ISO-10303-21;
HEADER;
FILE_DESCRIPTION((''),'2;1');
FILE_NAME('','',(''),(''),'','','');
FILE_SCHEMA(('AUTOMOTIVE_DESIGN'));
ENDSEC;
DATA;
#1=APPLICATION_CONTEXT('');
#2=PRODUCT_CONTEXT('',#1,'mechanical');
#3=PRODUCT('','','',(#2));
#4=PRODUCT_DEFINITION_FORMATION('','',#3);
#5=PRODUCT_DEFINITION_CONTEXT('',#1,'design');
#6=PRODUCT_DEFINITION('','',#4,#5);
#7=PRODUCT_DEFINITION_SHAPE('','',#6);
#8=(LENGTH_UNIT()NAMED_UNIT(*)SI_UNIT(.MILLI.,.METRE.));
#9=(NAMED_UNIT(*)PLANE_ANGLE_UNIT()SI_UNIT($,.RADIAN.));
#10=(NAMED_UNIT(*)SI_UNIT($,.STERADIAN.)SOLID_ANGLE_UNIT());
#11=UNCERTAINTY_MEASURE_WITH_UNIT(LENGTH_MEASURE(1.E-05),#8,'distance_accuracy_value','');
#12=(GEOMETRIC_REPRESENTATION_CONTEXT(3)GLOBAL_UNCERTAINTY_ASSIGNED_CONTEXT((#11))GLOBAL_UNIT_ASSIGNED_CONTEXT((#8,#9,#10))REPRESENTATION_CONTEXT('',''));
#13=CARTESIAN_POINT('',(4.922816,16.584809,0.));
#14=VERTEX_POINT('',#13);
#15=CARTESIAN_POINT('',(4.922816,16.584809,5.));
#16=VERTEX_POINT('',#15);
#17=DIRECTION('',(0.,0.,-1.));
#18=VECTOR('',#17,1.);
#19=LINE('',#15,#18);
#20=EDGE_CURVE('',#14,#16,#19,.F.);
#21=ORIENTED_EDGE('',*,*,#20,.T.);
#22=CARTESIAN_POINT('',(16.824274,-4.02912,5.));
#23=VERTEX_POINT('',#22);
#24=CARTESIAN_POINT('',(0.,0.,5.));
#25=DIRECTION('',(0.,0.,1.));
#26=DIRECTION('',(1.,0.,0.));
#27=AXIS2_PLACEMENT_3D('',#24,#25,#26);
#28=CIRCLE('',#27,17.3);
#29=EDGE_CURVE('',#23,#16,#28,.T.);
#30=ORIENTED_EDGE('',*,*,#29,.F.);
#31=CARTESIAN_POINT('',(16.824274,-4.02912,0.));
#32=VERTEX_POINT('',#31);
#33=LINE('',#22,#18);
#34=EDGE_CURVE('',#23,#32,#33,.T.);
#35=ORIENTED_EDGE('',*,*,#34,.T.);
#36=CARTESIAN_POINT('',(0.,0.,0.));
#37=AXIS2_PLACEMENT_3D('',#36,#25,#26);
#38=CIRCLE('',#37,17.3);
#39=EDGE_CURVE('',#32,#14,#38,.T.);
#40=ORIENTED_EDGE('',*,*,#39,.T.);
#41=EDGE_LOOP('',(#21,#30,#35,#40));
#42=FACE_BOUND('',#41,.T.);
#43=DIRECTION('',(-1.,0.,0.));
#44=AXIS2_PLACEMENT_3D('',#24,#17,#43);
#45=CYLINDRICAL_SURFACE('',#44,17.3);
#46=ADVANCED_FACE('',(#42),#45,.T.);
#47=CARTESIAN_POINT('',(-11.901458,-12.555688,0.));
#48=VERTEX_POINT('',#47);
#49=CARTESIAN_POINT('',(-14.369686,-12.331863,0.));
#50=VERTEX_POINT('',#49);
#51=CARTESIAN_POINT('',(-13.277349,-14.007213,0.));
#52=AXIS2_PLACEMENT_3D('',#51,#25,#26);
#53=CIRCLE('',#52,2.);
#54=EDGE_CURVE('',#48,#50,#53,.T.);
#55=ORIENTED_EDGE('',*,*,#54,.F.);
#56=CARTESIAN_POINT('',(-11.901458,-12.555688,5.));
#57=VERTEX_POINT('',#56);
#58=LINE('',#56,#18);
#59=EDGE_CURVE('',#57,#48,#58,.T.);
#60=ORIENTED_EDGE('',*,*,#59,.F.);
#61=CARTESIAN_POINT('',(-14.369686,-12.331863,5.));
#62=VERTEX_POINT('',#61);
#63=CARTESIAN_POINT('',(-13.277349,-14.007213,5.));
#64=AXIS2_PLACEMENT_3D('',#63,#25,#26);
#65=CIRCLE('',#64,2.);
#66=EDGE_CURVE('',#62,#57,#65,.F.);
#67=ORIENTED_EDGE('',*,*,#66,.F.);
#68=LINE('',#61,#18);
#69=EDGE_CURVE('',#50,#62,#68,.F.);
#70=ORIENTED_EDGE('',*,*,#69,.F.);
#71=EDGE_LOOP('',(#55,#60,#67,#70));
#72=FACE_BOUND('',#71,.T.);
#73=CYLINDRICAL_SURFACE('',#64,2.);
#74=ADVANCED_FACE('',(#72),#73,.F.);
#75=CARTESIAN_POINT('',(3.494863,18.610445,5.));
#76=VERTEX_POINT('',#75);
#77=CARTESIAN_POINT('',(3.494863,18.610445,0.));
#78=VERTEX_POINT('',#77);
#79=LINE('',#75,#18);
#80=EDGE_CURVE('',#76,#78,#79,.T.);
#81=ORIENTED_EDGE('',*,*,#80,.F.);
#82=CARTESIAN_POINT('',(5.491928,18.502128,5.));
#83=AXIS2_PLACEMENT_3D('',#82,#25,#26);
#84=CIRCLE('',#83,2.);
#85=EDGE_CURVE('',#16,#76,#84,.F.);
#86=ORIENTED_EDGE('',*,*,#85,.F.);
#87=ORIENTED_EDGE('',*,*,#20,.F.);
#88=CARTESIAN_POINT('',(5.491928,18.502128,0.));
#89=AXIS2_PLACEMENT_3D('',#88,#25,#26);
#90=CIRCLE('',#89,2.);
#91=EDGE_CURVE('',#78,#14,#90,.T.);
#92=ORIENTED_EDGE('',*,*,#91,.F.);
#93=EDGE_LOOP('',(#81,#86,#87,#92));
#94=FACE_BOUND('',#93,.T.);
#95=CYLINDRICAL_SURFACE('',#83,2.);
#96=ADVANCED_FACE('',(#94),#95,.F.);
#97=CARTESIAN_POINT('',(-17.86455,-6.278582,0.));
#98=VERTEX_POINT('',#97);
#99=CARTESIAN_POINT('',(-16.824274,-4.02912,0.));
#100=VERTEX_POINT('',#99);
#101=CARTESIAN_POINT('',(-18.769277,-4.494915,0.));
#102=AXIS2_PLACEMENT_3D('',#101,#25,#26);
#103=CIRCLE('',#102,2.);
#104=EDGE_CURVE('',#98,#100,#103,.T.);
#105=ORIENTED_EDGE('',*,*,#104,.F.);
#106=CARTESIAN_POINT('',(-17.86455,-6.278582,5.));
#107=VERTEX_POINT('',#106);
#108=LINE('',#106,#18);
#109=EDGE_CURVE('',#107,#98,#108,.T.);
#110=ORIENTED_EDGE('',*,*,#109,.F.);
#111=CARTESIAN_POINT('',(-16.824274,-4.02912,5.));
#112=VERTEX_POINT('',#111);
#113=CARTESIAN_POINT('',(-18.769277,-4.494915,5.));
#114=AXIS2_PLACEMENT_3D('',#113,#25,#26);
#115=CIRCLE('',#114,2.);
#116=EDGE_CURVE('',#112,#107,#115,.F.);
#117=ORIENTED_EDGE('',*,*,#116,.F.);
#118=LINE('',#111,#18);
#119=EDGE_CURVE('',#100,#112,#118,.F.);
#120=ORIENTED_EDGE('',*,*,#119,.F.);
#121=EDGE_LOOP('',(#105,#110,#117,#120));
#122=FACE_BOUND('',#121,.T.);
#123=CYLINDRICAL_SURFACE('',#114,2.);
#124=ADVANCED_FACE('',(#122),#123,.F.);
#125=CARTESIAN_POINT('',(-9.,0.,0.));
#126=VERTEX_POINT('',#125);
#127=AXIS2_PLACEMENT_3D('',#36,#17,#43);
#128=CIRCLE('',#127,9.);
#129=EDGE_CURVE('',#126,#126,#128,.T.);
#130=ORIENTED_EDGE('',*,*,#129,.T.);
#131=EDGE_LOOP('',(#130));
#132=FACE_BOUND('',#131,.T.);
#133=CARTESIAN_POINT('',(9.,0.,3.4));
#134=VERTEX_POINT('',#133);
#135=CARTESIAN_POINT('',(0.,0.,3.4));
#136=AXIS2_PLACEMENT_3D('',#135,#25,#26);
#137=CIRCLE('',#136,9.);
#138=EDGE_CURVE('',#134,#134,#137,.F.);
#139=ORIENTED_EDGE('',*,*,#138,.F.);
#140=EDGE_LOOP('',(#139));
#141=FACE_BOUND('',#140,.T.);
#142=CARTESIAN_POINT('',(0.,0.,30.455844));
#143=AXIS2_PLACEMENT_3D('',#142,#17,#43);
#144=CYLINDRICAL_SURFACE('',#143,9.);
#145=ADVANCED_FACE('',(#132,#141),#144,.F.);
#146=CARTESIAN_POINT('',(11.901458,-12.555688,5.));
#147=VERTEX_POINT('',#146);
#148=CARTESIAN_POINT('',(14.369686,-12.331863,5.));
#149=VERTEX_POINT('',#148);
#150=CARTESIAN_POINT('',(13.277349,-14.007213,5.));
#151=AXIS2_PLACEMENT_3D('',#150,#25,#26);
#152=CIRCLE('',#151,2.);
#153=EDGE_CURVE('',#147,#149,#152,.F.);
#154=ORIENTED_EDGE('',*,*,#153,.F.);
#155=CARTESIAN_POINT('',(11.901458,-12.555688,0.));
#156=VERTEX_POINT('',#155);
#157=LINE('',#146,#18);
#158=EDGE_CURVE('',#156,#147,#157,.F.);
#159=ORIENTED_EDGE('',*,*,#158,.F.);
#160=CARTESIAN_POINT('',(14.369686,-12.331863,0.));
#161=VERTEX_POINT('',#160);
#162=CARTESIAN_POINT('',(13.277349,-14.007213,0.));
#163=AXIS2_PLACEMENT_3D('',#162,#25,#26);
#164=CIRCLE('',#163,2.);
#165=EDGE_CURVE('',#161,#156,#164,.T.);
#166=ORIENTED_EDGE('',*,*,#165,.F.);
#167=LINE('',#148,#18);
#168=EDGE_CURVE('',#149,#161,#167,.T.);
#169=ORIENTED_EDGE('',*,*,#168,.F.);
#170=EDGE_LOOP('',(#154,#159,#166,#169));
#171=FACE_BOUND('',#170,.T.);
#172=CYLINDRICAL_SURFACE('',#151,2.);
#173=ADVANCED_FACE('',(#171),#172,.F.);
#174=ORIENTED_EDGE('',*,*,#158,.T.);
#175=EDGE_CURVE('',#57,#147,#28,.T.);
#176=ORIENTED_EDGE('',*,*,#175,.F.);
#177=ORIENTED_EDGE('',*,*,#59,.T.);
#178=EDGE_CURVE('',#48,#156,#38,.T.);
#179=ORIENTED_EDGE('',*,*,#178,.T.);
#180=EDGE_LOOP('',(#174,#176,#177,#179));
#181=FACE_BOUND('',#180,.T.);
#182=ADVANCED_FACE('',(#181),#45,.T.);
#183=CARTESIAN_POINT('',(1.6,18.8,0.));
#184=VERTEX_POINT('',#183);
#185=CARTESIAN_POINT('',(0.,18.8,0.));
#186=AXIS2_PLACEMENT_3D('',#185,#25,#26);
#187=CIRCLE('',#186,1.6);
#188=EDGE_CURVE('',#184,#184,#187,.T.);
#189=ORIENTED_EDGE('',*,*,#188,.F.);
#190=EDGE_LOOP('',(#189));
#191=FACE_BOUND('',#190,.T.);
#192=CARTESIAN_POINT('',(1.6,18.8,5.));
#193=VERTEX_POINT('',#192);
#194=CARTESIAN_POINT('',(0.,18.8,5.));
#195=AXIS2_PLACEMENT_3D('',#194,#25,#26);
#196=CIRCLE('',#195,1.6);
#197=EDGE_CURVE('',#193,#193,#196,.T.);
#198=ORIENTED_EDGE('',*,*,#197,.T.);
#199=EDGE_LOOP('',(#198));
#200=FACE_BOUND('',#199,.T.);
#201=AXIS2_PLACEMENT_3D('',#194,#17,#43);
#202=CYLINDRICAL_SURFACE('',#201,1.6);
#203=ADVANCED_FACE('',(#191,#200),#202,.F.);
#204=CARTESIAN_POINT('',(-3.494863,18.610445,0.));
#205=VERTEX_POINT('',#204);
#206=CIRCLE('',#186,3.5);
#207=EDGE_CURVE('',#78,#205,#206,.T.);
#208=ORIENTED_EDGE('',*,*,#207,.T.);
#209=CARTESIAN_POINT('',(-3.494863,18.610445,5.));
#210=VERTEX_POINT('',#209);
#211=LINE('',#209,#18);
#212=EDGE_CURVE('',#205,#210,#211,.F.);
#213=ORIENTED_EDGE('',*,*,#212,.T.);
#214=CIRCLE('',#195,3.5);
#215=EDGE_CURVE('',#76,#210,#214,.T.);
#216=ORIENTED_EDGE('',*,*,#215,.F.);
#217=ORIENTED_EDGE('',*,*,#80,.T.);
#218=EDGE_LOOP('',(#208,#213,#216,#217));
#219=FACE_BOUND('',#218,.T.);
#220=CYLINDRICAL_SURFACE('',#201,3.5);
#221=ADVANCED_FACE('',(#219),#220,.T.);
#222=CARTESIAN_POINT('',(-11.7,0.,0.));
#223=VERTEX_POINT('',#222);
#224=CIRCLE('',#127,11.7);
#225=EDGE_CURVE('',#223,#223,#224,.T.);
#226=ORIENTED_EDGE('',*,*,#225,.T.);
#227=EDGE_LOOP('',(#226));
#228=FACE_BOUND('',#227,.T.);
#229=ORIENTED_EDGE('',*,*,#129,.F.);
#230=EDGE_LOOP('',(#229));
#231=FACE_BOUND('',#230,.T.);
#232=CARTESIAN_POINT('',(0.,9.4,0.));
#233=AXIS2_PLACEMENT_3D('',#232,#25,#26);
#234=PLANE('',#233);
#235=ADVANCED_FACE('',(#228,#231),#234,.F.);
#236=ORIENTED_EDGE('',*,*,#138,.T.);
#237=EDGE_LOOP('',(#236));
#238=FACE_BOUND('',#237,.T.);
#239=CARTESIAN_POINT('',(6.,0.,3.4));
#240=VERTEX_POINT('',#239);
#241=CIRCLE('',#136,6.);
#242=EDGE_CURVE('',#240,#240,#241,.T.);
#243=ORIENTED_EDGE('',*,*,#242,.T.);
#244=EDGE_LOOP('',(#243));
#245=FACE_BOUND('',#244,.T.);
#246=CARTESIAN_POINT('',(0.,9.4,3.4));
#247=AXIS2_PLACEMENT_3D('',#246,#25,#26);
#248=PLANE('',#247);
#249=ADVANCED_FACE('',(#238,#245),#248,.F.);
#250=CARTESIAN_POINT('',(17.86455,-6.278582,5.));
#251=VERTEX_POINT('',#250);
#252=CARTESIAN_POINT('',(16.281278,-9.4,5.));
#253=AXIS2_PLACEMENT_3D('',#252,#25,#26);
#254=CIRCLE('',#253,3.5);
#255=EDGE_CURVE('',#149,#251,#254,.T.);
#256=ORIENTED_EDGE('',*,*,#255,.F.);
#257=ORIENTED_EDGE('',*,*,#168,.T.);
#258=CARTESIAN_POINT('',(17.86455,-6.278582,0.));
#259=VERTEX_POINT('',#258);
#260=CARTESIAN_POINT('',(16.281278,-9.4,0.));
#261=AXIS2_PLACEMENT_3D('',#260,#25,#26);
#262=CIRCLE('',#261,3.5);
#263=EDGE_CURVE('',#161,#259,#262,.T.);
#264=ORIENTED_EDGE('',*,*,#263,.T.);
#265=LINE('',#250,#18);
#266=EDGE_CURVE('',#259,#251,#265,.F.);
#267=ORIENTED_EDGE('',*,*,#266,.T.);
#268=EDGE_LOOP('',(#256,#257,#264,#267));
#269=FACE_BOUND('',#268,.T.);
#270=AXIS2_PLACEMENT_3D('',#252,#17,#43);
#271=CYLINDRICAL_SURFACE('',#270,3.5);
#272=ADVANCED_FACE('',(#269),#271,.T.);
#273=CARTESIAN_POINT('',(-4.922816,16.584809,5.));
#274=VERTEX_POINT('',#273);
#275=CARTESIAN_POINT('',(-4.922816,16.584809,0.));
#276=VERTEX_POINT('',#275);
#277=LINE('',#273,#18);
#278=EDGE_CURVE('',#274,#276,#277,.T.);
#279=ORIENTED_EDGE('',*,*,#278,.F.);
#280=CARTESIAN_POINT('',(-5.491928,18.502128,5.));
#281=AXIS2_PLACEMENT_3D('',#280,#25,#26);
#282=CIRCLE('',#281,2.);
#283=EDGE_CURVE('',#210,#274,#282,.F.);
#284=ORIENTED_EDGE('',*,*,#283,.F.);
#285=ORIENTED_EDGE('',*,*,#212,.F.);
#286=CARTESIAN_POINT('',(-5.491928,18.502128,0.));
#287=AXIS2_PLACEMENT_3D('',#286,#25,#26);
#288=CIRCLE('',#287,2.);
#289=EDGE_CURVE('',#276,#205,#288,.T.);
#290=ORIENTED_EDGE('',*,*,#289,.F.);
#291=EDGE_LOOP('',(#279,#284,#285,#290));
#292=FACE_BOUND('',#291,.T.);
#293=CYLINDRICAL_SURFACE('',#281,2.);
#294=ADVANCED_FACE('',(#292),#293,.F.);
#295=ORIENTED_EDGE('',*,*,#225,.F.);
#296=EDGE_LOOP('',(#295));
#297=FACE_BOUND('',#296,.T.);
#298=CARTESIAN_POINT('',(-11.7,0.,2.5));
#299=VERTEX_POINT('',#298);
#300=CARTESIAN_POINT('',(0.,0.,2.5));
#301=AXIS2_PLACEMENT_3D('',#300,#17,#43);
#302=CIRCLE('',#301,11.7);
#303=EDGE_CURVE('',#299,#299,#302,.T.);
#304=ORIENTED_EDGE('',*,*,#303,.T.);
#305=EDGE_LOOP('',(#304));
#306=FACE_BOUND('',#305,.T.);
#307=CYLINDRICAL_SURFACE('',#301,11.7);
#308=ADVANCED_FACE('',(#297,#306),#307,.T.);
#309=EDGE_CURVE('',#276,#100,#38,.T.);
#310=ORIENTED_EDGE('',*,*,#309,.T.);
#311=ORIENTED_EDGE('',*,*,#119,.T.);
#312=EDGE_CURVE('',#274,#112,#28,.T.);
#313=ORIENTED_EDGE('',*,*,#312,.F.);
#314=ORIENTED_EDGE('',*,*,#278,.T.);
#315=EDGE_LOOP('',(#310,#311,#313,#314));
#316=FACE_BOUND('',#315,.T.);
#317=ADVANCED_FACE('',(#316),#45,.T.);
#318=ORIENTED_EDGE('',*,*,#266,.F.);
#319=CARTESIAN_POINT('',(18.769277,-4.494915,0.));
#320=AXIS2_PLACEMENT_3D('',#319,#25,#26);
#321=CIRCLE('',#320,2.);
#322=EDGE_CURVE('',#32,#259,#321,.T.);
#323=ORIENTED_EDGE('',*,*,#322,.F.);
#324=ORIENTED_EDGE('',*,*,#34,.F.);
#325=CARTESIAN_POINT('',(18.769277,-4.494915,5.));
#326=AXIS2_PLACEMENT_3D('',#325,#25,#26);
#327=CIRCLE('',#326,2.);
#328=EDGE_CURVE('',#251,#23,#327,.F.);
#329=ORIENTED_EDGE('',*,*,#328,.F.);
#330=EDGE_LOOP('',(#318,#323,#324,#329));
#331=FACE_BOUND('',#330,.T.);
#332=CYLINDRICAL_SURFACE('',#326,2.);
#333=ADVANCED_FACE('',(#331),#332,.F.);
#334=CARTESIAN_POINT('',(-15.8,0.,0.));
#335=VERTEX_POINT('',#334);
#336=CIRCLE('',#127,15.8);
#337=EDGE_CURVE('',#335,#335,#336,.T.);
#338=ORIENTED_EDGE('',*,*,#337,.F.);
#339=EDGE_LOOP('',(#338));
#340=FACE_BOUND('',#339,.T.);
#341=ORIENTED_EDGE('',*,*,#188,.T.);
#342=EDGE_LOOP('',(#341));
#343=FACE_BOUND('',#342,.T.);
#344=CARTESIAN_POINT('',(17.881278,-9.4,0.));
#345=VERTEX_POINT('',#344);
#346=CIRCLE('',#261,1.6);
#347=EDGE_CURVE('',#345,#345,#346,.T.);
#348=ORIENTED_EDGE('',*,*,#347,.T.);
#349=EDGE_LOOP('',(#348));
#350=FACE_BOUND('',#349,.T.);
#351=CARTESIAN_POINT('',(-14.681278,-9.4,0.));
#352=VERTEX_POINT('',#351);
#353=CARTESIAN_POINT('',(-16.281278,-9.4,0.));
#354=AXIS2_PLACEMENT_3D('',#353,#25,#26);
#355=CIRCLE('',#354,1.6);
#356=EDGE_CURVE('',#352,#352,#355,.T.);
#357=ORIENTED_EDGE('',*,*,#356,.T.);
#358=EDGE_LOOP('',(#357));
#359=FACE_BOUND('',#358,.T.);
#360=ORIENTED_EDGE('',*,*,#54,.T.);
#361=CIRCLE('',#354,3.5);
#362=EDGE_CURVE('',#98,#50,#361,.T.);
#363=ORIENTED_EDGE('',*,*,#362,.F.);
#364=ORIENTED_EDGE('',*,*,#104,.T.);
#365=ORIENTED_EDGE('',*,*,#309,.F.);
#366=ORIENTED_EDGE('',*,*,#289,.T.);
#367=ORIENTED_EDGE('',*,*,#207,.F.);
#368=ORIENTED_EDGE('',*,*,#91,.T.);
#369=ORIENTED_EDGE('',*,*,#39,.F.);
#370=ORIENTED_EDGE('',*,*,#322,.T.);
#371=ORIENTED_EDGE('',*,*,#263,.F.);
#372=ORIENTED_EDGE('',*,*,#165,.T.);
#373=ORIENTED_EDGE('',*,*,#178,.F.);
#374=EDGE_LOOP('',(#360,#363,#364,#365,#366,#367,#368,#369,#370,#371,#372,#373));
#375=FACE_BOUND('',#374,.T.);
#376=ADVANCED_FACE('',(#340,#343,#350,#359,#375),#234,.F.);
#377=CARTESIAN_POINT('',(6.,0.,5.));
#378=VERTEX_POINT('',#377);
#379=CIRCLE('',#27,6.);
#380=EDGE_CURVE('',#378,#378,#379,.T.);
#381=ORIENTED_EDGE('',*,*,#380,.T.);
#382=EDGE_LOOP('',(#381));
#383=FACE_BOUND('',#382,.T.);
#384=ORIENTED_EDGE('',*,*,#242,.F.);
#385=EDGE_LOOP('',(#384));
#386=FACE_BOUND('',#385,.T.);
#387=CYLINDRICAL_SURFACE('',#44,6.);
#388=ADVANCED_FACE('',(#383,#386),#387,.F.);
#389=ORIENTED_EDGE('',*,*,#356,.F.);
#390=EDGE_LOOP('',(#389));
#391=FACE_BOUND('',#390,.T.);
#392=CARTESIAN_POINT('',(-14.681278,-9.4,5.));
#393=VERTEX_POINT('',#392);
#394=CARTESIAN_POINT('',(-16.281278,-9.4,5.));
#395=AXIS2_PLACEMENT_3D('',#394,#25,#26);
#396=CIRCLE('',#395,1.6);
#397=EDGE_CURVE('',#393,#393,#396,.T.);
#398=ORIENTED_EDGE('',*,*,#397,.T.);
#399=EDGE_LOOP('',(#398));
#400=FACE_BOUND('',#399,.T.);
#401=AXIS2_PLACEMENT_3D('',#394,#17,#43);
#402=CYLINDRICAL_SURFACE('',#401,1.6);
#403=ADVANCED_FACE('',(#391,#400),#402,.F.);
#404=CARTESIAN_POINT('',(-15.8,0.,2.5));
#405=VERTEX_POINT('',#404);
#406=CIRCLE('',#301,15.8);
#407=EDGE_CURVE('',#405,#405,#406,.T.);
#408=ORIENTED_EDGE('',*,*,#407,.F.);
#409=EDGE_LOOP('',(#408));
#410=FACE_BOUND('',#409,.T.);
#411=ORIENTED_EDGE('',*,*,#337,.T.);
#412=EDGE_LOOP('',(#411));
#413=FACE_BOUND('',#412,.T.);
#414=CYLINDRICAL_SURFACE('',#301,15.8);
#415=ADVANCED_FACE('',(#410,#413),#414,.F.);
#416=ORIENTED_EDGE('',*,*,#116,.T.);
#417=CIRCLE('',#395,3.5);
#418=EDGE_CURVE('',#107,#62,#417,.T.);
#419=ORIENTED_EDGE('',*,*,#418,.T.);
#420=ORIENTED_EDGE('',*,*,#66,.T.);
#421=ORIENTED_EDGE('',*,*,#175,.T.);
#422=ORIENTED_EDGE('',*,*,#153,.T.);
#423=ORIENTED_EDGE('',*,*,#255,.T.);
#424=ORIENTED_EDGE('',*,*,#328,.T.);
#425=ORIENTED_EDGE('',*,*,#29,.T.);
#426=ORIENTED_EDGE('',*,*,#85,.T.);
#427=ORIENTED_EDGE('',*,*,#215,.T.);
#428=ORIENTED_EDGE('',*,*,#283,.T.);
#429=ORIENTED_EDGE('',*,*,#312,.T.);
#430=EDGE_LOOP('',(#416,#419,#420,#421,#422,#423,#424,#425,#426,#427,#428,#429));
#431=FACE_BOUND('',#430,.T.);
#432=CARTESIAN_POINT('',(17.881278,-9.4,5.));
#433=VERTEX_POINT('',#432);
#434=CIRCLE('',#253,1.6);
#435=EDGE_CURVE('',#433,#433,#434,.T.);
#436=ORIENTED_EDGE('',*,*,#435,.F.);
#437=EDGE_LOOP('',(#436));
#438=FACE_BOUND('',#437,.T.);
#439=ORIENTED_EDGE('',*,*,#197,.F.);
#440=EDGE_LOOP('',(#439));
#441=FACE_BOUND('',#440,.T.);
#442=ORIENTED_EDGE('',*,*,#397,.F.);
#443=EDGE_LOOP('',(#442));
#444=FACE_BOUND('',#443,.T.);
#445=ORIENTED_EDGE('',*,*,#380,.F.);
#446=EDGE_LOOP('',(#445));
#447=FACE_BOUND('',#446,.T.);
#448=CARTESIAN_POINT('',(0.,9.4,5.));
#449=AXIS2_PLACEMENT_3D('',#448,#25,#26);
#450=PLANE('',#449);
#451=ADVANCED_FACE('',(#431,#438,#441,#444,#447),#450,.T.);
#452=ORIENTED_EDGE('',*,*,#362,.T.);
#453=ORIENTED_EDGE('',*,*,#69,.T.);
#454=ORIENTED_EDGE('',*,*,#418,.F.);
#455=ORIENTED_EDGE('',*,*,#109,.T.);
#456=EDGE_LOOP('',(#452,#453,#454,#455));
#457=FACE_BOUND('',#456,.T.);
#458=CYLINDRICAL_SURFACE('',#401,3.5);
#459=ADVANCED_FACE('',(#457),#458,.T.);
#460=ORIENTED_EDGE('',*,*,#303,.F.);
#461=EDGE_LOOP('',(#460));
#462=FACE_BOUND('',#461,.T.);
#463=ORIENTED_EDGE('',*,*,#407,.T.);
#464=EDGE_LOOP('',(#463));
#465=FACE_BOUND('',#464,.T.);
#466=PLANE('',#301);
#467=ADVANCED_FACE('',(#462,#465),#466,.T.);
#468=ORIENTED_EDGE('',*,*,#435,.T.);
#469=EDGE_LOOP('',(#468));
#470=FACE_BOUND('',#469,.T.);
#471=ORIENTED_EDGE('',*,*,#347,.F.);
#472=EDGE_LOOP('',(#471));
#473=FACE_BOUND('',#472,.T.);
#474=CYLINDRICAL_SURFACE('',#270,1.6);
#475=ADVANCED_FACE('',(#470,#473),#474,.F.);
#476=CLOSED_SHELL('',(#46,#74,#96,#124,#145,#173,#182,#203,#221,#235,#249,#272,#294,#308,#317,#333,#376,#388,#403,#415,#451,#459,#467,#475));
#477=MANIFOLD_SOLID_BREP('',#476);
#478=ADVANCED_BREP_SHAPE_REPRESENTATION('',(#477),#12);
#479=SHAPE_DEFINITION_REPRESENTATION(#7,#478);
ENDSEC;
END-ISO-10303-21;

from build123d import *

# Parameters (mm, degrees)
SKETCH_1_R          = 6
SKETCH_1_R_2        = 1.6
EXTRUDE_1_DEPTH     = 5
FILLET_1_R          = 2
SKETCH_3_R          = 15.8
SKETCH_3_R_2        = 11.7
CUT_EXTRUDE_1_DEPTH = 2.5
SKETCH_4_R          = 9
CUT_EXTRUDE_2_DEPTH = 3.4


with BuildPart() as part:
    # ｽｹｯﾁ1 → ﾎﾞｽ - 押し出し1 (new body)
    with BuildSketch(Plane.XY):
        with BuildLine():
            ThreePointArc((-3.021819699, 17.034042553), (-14.982239485, 8.65), (-16.26282343, -5.900048651))
            ThreePointArc((-16.26282343, -5.900048651), (-19.312366504, -11.15), (-13.24100373, -11.133993902))
            ThreePointArc((-13.24100373, -11.133993902), (0, -17.3), (13.24100373, -11.133993902))
            ThreePointArc((13.24100373, -11.133993902), (19.312366504, -11.15), (16.26282343, -5.900048651))
            ThreePointArc((16.26282343, -5.900048651), (14.982239485, 8.65), (3.021819699, 17.034042553))
            ThreePointArc((3.021819699, 17.034042553), (0, 22.3), (-3.021819699, 17.034042553))
        make_face()
        Circle(SKETCH_1_R, mode=Mode.SUBTRACT)
        with Locations((0, 18.8)):
            Circle(SKETCH_1_R_2, mode=Mode.SUBTRACT)
        with Locations((16.281277591, -9.4)):
            Circle(SKETCH_1_R_2, mode=Mode.SUBTRACT)
        with Locations((-16.281277591, -9.4)):
            Circle(SKETCH_1_R_2, mode=Mode.SUBTRACT)
    extrude(amount=EXTRUDE_1_DEPTH)

    # ﾌｨﾚｯﾄ1
    fillet_1_edges = [part.edges().sort_by_distance(p)[0] for p in [
        (16.26282343, -5.900048651, 2.5),
        (13.24100373, -11.133993902, 2.5),
        (-13.24100373, -11.133993902, 2.5),
        (-16.26282343, -5.900048651, 2.5),
        (-3.021819699, 17.034042553, 2.5),
        (3.021819699, 17.034042553, 2.5),
    ]]
    fillet(fillet_1_edges, radius=FILLET_1_R)

    # ｽｹｯﾁ3 → ｶｯﾄ - 押し出し1 (cut)
    with BuildSketch(Plane(origin=(0, 0, 0), x_dir=(-1, 0, 0), z_dir=(0, 0, -1))):
        Circle(SKETCH_3_R)
        Circle(SKETCH_3_R_2, mode=Mode.SUBTRACT)
    extrude(amount=-CUT_EXTRUDE_1_DEPTH, mode=Mode.SUBTRACT)

    # ｽｹｯﾁ4 → ｶｯﾄ - 押し出し2 (cut)
    with BuildSketch(Plane(origin=(0, 0, 0), x_dir=(-1, 0, 0), z_dir=(0, 0, -1))):
        Circle(SKETCH_4_R)
    extrude(amount=-CUT_EXTRUDE_2_DEPTH, mode=Mode.SUBTRACT)


solid = part.part
